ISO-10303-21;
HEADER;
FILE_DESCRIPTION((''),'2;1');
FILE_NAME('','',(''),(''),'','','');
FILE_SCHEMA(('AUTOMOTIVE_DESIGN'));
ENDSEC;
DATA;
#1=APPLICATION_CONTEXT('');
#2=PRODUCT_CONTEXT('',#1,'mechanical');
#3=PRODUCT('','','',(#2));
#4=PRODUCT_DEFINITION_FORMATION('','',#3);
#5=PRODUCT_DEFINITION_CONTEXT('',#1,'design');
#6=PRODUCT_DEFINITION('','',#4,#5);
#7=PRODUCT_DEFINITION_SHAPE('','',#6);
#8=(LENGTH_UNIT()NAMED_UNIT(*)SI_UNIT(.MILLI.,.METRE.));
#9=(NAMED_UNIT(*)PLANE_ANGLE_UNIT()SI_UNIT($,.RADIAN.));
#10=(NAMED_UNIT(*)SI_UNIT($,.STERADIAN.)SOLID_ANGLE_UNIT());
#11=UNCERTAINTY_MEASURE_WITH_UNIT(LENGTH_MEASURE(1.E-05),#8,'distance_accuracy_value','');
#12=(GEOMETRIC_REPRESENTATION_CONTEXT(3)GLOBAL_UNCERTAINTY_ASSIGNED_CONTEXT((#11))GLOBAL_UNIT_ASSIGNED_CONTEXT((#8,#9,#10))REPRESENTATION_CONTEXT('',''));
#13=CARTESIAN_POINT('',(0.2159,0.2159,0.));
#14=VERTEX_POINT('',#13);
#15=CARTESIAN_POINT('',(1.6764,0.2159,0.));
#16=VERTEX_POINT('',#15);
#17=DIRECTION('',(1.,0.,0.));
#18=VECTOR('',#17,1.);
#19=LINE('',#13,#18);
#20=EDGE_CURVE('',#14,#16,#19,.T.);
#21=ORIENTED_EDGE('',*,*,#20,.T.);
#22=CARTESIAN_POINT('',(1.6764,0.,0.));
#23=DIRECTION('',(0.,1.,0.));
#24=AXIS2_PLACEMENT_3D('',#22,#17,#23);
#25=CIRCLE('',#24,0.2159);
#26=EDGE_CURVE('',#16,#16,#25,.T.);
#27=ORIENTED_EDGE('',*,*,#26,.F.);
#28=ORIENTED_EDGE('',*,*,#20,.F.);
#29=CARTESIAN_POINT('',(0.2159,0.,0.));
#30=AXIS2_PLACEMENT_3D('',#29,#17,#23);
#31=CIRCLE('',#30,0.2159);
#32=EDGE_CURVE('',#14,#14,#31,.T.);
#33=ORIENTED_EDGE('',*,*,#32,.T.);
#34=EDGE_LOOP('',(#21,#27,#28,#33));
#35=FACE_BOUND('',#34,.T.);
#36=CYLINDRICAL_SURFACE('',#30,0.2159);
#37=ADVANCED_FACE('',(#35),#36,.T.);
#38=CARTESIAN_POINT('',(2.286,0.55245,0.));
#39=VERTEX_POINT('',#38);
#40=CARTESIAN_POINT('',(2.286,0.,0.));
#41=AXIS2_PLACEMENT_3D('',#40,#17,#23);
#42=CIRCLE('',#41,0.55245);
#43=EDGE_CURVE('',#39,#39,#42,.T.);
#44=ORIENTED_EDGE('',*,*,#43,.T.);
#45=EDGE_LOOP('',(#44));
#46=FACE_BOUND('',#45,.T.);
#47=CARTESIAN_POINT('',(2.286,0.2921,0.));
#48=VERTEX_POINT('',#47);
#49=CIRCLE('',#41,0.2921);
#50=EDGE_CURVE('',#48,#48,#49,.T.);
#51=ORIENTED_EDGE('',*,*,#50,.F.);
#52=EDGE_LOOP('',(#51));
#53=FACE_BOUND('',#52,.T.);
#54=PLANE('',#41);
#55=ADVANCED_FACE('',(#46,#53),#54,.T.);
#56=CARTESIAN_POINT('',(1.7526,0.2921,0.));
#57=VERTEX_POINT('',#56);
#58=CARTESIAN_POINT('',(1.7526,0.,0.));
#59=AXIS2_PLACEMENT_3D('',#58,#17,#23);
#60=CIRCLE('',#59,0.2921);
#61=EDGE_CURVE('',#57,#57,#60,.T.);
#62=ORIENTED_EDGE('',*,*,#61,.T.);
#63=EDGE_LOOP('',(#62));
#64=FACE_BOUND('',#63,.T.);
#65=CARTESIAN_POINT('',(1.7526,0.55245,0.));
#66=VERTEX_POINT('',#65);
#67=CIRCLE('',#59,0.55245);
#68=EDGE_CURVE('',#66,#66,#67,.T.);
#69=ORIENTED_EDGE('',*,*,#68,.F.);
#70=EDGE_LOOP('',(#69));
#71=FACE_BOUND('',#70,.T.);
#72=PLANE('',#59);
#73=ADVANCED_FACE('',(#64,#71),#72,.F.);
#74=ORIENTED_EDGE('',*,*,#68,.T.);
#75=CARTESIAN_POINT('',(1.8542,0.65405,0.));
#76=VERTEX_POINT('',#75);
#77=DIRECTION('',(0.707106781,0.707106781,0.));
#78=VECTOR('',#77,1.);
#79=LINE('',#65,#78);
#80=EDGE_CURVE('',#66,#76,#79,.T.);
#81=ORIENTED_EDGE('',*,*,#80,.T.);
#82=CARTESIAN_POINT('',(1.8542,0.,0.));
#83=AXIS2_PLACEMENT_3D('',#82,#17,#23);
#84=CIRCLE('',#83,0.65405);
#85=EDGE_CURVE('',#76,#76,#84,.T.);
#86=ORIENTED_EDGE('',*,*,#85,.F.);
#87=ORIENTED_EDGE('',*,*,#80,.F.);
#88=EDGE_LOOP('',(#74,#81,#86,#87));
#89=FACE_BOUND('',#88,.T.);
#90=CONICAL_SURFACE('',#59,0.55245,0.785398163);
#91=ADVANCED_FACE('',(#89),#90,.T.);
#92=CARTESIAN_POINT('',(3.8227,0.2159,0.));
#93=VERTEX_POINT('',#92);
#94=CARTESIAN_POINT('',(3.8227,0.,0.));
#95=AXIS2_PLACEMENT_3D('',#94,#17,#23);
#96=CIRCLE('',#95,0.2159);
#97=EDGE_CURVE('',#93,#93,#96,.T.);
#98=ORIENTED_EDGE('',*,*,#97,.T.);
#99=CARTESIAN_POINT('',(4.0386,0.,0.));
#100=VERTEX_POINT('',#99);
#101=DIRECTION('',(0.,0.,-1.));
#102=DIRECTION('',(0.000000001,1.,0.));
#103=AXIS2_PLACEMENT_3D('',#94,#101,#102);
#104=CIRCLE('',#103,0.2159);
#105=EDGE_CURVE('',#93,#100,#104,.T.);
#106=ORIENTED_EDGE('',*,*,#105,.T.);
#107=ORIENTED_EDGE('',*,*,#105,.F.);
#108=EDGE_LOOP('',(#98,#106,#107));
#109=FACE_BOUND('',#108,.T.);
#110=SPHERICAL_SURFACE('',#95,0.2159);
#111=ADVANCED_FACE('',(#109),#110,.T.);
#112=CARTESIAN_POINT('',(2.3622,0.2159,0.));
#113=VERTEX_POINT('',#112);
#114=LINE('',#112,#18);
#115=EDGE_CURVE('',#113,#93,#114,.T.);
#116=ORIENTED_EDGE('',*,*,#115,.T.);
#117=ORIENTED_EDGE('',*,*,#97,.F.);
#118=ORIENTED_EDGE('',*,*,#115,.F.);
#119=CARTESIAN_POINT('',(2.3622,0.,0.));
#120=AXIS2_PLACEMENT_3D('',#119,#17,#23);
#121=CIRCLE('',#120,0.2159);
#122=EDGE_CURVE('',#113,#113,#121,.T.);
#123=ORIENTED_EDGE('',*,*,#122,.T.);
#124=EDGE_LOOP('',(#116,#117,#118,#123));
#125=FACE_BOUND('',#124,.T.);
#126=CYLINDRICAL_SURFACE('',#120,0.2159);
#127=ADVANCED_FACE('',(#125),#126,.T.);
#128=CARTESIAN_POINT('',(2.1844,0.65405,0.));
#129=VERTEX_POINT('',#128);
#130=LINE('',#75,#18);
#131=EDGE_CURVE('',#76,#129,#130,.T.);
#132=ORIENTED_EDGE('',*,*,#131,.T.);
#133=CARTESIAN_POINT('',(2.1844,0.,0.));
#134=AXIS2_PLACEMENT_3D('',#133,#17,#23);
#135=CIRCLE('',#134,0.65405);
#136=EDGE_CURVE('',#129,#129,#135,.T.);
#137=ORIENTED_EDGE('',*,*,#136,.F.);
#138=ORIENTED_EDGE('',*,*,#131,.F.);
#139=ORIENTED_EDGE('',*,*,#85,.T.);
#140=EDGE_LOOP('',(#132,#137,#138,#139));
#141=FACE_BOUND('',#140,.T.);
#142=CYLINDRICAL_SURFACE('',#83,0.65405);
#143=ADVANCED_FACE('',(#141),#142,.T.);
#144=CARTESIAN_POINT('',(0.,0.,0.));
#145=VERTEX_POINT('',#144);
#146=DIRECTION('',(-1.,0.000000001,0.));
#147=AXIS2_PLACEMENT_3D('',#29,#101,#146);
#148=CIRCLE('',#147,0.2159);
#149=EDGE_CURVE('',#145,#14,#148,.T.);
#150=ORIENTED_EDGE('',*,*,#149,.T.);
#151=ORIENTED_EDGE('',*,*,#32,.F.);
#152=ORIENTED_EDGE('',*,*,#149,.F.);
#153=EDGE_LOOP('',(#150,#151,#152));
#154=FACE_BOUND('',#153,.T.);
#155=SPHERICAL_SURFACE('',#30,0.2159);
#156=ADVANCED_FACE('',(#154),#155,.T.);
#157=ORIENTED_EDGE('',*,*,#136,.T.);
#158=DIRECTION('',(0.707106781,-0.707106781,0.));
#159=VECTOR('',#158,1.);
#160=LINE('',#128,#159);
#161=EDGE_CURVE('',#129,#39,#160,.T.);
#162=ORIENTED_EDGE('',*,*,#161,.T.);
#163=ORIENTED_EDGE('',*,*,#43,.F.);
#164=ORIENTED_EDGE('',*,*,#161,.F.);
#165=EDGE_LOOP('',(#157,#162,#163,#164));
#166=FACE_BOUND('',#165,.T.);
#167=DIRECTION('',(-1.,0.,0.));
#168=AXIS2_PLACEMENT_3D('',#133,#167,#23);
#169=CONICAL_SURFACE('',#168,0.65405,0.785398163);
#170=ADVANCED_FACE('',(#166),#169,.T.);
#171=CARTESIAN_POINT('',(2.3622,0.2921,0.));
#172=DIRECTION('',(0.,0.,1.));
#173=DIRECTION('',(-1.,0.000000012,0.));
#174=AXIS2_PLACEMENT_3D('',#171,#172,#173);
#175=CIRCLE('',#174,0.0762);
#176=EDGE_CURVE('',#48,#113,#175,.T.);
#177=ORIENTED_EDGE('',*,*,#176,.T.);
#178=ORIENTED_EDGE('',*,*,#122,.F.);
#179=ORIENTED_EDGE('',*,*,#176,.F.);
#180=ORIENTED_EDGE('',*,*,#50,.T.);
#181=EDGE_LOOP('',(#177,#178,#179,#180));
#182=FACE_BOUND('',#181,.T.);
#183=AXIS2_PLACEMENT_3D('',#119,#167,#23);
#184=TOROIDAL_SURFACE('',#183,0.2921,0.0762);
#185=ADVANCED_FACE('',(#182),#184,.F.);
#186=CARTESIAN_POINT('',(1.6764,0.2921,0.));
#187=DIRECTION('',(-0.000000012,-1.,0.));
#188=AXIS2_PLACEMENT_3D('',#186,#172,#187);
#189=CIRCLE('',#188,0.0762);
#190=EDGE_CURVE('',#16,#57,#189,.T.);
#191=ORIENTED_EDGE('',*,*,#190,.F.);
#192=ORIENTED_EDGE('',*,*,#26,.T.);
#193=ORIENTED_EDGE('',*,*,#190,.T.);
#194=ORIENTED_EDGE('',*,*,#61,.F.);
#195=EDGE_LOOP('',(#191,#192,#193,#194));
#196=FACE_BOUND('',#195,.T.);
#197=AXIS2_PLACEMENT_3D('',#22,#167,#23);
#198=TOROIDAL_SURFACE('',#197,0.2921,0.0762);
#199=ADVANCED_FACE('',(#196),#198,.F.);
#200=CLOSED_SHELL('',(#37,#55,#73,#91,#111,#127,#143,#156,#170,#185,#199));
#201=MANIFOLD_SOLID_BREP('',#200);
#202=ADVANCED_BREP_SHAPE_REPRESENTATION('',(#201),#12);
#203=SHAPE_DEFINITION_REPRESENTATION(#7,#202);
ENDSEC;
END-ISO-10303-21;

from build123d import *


with BuildPart() as part:
    # Sketch1 → RevolutionAngle1 (revolve)
    with BuildSketch(Plane.XY):
        with BuildLine():
            Line((0.2159, 0.2159), (1.6764, 0.2159))
            ThreePointArc((1.6764, 0.2159), (1.730281537, 0.238218463), (1.7526, 0.2921))
            Line((1.7526, 0.2921), (1.7526, 0.55245))
            Line((1.7526, 0.55245), (1.8542, 0.65405))
            Line((1.8542, 0.65405), (2.1844, 0.65405))
            Line((2.1844, 0.65405), (2.286, 0.55245))
            Line((2.286, 0.55245), (2.286, 0.2921))
            ThreePointArc((2.286, 0.2921), (2.308318463, 0.238218463), (2.3622, 0.2159))
            Line((2.3622, 0.2159), (3.8227, 0.2159))
            ThreePointArc((3.8227, 0.2159), (3.975364354, 0.152664354), (4.0386, 0))
            Line((4.0386, 0), (0, 0))
            ThreePointArc((0, 0), (0.063235646, 0.152664354), (0.2159, 0.2159))
        make_face()
    revolve(axis=Axis((0, 0, 0), (1, 0, 0)))


solid = part.part
